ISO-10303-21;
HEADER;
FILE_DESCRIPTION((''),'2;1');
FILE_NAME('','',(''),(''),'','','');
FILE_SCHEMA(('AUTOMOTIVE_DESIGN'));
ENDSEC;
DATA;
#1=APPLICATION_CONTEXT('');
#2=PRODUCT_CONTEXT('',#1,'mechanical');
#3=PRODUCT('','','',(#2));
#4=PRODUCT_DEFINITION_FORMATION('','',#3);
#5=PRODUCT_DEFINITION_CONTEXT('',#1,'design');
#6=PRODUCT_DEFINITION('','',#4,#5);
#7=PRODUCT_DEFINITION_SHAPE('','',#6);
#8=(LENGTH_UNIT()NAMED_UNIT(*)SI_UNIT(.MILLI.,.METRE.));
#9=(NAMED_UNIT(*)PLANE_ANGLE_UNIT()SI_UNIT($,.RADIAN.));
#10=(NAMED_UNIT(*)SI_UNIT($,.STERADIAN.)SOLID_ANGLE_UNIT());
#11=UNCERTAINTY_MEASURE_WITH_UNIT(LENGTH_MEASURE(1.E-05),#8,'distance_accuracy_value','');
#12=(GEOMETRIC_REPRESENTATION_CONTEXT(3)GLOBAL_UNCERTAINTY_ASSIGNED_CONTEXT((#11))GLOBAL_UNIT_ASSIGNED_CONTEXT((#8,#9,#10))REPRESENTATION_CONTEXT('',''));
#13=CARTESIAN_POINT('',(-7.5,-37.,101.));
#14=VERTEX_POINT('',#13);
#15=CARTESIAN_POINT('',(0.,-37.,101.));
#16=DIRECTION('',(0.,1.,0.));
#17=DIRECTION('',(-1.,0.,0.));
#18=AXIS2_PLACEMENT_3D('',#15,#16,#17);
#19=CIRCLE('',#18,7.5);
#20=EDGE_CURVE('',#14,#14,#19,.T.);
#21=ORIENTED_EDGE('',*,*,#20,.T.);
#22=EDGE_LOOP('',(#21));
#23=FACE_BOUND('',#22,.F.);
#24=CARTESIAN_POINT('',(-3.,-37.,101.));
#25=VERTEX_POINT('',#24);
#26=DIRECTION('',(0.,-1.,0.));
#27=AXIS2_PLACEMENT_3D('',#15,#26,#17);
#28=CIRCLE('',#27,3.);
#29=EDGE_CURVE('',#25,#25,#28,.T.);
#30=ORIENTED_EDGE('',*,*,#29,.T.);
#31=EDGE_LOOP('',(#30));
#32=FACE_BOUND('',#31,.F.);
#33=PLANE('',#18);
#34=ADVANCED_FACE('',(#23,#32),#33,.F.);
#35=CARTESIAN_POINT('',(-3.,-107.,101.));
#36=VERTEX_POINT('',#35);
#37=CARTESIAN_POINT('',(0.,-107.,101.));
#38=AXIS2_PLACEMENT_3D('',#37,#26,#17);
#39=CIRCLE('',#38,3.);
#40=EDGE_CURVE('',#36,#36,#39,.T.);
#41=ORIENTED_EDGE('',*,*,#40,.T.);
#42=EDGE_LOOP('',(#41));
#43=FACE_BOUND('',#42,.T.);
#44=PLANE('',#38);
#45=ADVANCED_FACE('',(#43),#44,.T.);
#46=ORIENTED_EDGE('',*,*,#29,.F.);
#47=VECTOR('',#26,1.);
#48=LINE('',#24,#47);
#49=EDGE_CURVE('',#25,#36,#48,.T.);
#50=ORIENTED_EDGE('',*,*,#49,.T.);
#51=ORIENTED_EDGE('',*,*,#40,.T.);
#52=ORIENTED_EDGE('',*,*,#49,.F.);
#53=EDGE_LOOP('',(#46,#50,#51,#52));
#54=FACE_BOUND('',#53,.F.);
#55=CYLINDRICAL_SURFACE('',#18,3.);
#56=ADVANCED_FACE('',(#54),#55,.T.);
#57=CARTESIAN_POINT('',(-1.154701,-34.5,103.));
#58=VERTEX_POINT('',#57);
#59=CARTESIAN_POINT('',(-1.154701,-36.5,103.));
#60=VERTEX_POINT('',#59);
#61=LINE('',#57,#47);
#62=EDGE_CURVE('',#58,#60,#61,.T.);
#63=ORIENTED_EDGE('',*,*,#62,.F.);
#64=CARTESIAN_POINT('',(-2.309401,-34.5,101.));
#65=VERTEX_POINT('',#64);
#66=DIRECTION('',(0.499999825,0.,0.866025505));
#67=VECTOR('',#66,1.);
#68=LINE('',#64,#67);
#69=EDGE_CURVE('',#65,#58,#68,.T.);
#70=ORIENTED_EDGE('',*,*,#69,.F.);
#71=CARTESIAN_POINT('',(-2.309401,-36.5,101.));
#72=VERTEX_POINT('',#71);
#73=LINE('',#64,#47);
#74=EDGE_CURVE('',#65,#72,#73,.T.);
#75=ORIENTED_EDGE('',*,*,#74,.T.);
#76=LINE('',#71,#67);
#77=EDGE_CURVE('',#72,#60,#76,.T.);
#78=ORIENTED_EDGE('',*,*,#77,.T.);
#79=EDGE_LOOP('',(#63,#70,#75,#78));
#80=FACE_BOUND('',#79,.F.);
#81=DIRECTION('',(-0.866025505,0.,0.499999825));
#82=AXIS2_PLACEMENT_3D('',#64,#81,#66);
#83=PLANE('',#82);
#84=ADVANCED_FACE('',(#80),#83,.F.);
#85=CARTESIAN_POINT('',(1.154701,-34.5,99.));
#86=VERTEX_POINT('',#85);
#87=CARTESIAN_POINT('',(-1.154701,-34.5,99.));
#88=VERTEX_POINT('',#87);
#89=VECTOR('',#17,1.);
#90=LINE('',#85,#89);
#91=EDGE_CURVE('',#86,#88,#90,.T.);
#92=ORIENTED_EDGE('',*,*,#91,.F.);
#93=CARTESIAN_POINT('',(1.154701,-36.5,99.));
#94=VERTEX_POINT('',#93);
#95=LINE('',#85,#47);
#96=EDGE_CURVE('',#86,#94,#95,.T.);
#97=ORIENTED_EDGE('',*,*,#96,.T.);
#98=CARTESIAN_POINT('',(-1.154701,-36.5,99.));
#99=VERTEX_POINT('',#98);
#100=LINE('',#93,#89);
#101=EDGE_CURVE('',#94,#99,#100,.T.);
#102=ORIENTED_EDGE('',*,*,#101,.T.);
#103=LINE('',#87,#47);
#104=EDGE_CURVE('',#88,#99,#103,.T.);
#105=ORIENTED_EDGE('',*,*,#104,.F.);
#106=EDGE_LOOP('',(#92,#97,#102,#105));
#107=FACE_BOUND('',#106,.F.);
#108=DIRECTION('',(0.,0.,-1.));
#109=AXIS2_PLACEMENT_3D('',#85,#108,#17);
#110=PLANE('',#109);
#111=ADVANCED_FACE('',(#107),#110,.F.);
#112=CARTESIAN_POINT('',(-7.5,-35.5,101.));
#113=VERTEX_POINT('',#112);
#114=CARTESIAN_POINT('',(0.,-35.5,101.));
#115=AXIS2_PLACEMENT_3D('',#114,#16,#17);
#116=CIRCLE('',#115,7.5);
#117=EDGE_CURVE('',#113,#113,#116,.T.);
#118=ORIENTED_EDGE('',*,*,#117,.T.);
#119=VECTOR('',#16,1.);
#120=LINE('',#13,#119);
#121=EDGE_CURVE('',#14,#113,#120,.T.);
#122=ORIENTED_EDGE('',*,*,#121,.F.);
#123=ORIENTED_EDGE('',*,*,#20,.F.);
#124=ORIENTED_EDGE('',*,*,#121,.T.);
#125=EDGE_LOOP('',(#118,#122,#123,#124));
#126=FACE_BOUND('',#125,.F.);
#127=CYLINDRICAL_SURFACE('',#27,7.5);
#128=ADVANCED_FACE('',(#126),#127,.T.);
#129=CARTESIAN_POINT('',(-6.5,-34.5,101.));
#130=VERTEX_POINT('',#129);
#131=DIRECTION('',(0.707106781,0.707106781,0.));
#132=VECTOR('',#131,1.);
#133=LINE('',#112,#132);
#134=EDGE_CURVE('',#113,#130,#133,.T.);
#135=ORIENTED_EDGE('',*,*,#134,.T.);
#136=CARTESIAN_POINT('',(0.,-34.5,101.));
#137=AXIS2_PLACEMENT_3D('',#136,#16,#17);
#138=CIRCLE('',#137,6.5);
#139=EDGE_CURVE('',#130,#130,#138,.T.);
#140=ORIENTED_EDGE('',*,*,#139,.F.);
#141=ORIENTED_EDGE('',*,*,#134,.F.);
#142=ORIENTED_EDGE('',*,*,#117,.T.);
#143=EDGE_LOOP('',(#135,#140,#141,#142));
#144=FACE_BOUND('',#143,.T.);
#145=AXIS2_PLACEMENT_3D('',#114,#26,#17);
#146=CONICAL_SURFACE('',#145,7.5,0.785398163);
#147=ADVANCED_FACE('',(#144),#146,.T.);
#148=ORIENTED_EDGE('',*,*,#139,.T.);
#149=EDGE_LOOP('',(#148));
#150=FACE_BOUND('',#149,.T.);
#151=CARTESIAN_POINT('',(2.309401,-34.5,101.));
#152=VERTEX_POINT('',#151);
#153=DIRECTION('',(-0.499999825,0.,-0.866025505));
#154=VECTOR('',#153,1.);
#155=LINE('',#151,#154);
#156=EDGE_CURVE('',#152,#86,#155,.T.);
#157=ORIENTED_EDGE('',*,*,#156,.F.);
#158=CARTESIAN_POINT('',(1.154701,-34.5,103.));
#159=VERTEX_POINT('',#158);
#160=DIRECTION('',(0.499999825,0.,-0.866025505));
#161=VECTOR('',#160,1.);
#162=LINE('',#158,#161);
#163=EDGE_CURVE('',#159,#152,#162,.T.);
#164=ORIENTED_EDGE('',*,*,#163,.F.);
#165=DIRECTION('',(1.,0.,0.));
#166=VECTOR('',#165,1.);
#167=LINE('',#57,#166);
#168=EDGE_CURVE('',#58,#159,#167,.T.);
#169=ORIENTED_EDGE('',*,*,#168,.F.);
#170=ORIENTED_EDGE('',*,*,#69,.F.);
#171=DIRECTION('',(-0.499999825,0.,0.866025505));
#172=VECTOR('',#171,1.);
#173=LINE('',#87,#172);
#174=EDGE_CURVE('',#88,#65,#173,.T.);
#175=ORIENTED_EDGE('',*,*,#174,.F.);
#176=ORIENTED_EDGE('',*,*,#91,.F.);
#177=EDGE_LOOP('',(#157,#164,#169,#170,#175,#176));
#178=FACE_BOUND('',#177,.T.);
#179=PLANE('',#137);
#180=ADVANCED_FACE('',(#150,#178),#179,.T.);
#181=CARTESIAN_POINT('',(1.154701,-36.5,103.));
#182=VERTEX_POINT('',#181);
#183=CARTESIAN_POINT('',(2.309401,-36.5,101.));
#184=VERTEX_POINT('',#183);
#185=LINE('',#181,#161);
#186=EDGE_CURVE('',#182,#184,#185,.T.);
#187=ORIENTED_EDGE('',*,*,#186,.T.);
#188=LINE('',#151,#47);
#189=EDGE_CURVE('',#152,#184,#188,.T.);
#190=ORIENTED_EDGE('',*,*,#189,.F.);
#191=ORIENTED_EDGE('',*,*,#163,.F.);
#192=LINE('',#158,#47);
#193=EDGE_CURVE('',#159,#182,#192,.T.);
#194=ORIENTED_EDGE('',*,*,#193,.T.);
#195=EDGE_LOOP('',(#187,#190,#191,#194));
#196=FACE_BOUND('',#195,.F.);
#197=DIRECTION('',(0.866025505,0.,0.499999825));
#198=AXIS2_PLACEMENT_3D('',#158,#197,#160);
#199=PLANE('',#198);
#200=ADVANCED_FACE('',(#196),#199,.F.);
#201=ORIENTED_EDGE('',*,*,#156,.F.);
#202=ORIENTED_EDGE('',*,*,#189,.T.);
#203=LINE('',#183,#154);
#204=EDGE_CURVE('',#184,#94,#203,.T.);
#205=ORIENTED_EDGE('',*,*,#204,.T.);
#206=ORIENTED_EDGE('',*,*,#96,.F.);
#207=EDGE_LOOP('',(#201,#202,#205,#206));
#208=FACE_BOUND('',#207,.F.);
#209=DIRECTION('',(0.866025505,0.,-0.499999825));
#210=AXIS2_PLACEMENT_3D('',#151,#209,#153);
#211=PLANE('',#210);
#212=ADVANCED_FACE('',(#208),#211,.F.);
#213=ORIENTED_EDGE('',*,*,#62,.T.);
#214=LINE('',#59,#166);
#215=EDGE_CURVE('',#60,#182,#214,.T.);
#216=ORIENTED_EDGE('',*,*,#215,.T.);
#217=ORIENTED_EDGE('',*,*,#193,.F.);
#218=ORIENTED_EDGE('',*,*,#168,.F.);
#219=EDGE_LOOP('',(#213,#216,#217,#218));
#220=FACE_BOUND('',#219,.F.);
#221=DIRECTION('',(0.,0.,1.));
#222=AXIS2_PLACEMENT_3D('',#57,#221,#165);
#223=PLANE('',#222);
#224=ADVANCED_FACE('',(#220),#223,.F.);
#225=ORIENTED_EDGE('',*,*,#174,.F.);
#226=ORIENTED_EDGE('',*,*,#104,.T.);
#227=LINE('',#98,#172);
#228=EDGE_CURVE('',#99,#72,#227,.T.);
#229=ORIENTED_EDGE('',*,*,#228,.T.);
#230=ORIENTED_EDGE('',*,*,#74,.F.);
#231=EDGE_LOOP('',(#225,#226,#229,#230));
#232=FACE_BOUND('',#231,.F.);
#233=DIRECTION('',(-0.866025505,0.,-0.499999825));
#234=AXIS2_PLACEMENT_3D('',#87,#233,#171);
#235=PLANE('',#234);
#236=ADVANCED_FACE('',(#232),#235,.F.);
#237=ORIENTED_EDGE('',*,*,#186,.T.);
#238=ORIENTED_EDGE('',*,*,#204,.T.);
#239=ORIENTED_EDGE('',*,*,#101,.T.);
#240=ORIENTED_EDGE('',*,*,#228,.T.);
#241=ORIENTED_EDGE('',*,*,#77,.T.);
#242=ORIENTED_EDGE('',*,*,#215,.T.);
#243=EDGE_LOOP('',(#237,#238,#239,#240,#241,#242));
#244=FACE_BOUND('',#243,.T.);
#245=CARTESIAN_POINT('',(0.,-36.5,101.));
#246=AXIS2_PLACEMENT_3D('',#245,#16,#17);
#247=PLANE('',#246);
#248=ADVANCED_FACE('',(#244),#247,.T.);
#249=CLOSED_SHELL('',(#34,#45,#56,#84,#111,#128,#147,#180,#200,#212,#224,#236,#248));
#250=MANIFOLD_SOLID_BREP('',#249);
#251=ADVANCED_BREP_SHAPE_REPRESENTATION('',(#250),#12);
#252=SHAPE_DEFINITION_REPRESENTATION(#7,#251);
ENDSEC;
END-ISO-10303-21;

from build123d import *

# Parameters (mm, degrees)
SKETCH090_R             = 7.5
PAD060_DEPTH            = 2.5
CHAMFER_SIZE            = 1
POCKET022_DEPTH         = 2
SKETCH092_R             = 3
PAD061_DEPTH            = 70
BODY051_PLACEMENT_ANGLE = 90
BODY052_PLACEMENT_ANGLE = 180


with BuildPart() as part:
    # Sketch090 → Pad060 (new body)
    with BuildSketch(Plane.XY):
        Circle(SKETCH090_R)
    extrude(amount=PAD060_DEPTH)

    # Chamfer
    chamfer_edges = [part.edges().sort_by_distance(p)[0] for p in [
        (-7.5, 0, 2.5),
    ]]
    chamfer(chamfer_edges, length=CHAMFER_SIZE)

    # Sketch091 (on Face4 of Chamfer) → Pocket022 (cut)
    with BuildSketch(Plane.XY.offset(2.5)):
        Polygon((1.154701, 2), (-1.154701, 2), (-2.309401, 0), (-1.154701, -2), (1.154701, -2), (2.309401, 0), align=None)
    extrude(amount=-POCKET022_DEPTH, mode=Mode.SUBTRACT)

    # Sketch092 (on Face3 of Pocket022) → Pad061 (join)
    with BuildSketch(Plane(origin=(0, 0, 0), x_dir=(1, 0, 0), z_dir=(0, 0, -1))):
        Circle(SKETCH092_R)
    extrude(amount=PAD061_DEPTH)


with BuildPart() as part_1:
    # Body051 placement: moved
    add(part.part.moved(Location((0, 37, 101))).rotate(Axis((0, 37, 101), (1, 0, 0)), BODY051_PLACEMENT_ANGLE))


with BuildPart() as part_2:
    # Body052 placement: moved
    add(part_1.part.rotate(Axis((0, 0, 0), (0, 0, 1)), BODY052_PLACEMENT_ANGLE))


solid = part_2.part
